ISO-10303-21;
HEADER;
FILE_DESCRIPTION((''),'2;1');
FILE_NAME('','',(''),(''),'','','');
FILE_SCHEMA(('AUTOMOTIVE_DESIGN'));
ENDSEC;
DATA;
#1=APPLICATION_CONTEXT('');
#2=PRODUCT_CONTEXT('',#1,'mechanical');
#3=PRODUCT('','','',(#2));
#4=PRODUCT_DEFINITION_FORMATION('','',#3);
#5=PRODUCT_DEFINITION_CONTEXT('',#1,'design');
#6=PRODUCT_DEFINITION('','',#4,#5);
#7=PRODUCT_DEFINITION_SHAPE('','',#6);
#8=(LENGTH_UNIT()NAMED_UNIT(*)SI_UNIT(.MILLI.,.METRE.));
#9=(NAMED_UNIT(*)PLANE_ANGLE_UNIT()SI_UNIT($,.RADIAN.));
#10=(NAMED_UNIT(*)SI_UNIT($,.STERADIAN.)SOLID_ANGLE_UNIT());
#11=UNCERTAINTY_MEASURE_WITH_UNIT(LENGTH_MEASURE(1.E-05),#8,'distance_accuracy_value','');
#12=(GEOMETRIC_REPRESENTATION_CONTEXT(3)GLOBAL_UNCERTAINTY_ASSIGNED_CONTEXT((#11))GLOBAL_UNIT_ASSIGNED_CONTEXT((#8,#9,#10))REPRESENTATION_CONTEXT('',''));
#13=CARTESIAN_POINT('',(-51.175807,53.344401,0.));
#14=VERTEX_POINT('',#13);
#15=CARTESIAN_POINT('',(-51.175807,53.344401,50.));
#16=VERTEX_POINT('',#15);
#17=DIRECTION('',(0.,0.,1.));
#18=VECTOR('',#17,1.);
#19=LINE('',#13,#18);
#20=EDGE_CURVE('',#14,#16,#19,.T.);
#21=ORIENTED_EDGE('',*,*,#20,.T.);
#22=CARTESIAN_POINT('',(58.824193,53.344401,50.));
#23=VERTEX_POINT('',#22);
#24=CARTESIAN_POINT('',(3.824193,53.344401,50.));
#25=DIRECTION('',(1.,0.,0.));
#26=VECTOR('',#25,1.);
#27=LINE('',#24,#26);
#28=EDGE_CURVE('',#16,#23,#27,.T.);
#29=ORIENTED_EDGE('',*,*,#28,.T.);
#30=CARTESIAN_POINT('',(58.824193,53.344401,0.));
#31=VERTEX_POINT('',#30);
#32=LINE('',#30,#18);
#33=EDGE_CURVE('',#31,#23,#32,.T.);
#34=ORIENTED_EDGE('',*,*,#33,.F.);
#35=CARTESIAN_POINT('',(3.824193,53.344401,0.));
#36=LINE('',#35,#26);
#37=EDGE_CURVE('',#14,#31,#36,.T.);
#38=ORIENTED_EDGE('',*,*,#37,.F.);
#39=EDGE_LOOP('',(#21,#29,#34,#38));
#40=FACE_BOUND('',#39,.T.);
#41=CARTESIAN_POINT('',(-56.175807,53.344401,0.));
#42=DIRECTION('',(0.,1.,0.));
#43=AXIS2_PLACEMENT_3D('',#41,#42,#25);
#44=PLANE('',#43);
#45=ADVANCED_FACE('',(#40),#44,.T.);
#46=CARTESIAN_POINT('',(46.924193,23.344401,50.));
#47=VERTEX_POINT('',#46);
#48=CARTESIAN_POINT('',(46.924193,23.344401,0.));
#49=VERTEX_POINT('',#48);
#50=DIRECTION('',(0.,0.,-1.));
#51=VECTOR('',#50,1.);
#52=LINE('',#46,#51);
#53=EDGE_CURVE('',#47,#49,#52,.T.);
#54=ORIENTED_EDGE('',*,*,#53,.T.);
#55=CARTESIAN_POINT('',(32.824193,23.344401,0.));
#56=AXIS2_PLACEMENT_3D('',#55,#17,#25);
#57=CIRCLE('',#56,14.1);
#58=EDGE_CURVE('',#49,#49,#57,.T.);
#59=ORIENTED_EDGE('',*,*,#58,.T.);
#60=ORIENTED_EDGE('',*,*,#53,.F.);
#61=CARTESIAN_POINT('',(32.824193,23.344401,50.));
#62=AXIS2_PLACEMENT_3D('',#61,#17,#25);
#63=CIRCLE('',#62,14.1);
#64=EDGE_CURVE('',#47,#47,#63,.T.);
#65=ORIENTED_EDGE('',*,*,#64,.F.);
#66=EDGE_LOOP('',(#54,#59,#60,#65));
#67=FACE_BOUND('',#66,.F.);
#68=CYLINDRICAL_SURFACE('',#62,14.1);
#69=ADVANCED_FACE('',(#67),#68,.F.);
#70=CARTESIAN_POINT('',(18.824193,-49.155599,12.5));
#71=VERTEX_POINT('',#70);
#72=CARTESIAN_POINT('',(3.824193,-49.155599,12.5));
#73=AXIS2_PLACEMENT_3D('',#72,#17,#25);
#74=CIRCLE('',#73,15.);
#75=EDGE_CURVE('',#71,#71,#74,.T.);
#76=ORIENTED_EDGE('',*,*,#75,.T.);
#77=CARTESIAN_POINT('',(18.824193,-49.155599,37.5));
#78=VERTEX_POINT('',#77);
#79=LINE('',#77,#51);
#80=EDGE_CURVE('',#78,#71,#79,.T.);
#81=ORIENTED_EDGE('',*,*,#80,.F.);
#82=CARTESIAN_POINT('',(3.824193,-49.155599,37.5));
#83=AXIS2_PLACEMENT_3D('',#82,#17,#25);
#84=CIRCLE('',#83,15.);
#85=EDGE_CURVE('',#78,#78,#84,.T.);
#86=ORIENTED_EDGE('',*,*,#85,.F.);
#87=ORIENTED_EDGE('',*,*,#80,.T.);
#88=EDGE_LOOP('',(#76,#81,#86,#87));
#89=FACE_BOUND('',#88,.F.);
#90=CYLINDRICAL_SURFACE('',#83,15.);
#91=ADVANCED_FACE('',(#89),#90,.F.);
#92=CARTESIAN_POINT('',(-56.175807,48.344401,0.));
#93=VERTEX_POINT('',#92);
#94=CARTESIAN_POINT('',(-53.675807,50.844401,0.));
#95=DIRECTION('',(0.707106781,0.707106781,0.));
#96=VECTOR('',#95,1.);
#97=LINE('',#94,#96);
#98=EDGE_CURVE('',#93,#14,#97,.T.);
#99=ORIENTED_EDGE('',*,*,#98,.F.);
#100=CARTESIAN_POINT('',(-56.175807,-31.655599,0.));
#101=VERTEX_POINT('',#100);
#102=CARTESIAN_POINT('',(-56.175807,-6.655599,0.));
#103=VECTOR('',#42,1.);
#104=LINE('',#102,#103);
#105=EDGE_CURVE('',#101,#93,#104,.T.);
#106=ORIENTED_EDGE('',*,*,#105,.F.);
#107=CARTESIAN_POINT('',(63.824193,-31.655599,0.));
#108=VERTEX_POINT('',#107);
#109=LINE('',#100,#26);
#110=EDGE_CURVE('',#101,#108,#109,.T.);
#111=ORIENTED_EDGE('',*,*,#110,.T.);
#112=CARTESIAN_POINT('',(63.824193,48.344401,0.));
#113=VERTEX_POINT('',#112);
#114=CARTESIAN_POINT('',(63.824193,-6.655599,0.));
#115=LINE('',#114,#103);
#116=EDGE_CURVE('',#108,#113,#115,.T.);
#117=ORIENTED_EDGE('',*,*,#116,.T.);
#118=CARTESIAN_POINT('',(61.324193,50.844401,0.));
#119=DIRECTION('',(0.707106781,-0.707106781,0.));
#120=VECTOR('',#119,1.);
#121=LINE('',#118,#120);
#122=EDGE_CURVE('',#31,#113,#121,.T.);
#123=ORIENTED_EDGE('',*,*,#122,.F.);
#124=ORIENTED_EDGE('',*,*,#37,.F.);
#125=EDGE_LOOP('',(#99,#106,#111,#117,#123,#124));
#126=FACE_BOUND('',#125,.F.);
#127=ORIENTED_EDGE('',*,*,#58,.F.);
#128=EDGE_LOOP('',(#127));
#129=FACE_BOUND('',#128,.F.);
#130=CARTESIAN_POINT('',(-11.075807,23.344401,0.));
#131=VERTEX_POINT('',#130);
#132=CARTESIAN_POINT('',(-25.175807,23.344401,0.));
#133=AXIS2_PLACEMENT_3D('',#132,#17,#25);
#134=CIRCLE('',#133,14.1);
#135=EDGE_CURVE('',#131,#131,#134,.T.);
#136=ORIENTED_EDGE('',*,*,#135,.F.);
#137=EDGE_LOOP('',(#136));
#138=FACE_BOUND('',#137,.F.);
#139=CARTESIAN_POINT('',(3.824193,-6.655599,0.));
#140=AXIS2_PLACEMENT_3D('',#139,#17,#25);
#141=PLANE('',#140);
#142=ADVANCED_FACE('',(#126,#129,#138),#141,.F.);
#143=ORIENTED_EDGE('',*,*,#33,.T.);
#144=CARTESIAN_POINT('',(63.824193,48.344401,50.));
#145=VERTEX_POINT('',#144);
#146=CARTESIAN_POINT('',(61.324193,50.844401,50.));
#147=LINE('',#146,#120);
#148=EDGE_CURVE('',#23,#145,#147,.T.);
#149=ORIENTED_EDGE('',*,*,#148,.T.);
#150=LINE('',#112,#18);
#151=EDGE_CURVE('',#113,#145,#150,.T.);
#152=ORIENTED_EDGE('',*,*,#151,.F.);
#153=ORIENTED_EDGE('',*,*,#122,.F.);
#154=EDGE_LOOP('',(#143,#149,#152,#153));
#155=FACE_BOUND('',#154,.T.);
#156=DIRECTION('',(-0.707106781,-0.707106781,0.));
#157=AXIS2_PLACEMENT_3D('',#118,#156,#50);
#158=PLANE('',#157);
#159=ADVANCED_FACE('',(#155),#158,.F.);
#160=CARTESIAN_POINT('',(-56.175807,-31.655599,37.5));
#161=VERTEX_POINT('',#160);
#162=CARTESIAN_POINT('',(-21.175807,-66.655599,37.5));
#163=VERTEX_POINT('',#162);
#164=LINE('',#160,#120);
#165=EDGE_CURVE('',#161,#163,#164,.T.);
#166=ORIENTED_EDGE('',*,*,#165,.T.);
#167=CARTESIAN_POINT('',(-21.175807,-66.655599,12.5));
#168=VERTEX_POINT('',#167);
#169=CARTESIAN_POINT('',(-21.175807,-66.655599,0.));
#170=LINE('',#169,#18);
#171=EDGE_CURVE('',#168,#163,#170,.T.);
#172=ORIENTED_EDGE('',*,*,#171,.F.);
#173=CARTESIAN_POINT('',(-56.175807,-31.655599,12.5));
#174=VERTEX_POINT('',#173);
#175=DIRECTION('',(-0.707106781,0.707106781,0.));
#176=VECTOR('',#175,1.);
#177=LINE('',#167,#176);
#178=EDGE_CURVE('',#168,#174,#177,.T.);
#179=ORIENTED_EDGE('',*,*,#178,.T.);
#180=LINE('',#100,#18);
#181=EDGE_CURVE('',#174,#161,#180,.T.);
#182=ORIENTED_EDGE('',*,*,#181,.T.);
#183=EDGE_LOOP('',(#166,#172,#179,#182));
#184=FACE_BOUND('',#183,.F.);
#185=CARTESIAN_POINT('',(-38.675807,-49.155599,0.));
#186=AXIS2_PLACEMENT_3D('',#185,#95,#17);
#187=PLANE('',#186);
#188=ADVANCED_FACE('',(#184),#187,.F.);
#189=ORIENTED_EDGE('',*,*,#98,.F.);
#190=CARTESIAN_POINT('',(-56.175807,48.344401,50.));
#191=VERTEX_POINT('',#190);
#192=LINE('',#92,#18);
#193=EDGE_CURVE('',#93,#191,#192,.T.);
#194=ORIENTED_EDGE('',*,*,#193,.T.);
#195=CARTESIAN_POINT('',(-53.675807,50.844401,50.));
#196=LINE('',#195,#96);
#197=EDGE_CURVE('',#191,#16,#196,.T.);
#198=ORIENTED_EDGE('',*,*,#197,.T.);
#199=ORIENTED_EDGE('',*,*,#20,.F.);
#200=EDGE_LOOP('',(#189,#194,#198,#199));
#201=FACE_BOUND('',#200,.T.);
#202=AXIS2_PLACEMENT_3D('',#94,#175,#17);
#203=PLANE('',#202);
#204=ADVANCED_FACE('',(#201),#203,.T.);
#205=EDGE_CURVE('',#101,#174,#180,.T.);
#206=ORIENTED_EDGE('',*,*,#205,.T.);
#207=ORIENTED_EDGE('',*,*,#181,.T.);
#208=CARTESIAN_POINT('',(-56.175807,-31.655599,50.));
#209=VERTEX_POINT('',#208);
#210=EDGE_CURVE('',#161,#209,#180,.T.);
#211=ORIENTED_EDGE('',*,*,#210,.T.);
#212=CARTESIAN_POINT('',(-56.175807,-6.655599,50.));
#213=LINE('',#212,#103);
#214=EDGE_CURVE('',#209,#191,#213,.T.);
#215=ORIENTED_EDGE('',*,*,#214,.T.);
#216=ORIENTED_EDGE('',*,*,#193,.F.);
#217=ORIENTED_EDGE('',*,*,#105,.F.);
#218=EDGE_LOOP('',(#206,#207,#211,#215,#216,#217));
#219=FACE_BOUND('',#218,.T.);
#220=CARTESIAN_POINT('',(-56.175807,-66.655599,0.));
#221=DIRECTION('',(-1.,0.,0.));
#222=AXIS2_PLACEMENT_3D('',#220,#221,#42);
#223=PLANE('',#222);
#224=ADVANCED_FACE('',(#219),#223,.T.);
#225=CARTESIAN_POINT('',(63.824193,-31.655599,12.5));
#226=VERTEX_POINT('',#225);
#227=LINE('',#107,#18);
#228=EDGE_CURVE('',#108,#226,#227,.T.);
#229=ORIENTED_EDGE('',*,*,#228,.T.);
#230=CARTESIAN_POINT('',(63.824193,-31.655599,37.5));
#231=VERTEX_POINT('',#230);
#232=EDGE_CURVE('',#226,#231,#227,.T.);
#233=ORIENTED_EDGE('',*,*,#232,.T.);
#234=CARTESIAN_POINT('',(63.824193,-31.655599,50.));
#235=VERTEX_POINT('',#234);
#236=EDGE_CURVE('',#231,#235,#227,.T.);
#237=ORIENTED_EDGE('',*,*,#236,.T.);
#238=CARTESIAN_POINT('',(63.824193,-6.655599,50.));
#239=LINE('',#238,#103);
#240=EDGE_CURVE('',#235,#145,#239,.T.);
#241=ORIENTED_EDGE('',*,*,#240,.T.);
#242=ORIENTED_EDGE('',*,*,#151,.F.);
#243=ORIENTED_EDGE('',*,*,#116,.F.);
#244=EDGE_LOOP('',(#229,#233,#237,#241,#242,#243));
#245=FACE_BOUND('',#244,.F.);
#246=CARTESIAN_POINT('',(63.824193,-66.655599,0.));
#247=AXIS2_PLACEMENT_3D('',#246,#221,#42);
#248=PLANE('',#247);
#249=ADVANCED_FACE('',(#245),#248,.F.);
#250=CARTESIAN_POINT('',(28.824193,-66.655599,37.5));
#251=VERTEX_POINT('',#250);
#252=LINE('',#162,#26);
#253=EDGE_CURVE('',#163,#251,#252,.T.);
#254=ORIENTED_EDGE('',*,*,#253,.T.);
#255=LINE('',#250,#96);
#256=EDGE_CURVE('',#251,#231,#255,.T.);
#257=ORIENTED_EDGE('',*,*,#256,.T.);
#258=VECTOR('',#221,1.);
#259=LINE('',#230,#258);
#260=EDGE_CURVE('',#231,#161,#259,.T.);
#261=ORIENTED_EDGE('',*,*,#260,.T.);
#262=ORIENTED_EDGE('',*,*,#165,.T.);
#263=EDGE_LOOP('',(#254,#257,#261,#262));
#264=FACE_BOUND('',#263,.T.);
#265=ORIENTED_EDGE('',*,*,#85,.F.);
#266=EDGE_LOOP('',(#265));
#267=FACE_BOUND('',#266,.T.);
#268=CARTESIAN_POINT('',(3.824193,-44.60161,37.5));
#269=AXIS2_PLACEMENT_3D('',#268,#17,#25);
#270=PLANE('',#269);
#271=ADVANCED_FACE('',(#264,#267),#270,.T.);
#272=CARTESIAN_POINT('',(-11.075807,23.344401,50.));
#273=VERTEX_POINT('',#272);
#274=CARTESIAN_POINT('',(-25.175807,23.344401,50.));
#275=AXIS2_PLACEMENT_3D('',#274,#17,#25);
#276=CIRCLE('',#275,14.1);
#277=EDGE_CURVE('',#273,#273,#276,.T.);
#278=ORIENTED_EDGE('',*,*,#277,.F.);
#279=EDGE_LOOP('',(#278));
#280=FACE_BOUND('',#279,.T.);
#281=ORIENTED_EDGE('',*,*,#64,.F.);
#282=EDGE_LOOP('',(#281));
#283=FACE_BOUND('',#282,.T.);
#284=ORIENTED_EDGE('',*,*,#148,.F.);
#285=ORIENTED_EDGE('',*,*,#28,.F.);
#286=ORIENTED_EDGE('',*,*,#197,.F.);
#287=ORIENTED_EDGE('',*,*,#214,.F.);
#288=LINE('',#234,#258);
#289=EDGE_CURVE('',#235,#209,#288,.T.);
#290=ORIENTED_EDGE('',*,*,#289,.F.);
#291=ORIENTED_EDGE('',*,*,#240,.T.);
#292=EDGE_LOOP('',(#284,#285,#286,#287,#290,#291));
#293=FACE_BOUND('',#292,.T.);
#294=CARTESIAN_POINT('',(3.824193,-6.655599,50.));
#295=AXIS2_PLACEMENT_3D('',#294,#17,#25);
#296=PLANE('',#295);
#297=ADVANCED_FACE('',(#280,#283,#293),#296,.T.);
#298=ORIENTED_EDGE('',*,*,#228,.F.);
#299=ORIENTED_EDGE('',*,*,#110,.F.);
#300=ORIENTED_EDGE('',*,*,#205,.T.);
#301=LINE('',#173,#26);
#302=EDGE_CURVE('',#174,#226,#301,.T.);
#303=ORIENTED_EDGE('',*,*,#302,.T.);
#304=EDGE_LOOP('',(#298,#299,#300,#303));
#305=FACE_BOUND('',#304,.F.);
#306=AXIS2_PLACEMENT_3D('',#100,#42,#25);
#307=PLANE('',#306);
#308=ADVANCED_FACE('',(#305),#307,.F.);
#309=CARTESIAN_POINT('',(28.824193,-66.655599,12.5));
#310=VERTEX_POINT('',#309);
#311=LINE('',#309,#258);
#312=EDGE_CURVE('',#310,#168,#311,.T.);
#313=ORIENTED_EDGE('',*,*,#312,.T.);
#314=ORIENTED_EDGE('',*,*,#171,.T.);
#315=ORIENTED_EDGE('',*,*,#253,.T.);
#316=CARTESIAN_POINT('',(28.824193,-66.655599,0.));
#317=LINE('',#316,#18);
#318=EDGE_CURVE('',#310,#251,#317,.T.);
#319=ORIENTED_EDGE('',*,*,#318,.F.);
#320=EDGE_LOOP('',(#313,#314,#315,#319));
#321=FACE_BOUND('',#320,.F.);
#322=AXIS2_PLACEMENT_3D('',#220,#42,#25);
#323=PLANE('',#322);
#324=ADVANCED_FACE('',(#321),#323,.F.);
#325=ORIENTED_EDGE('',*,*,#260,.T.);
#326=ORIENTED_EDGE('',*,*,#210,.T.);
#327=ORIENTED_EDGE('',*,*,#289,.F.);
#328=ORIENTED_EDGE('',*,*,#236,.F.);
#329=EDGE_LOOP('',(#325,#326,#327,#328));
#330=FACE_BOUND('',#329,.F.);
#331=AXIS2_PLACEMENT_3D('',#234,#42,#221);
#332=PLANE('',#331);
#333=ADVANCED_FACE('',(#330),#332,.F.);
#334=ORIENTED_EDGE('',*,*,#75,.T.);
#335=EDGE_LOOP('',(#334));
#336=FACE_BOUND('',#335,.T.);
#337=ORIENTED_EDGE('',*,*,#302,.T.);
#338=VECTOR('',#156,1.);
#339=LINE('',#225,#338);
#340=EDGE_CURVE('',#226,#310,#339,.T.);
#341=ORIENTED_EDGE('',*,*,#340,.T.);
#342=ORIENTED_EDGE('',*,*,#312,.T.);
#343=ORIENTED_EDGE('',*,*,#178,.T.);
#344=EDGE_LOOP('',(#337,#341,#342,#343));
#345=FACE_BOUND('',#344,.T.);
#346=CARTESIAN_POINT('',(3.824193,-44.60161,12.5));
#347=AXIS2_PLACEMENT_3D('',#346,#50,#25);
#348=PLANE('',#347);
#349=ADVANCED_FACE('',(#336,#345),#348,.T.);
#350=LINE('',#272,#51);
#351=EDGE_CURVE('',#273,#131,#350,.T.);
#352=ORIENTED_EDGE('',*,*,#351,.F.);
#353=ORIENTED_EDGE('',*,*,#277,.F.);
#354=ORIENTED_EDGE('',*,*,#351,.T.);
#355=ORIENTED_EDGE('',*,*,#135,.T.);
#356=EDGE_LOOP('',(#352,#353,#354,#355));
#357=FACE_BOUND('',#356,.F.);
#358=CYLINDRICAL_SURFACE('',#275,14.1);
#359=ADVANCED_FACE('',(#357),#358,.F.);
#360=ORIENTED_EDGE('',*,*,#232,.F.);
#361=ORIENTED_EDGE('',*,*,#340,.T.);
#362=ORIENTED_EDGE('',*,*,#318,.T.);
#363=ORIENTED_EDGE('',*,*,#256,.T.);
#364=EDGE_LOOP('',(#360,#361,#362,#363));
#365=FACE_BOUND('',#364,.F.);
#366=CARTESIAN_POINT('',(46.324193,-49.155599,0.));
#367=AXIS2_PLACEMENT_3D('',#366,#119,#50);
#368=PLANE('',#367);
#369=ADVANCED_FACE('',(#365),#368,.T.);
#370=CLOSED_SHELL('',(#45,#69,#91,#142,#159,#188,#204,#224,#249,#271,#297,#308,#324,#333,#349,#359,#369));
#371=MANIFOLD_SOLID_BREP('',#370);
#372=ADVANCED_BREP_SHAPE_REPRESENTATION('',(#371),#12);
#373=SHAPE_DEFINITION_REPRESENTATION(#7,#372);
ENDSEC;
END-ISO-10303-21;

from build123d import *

# Parameters (mm, degrees)
F0_W      = 120
F0_H      = 120
F1_DEPTH  = 50
F2_SIZE   = 35
F4_DEPTH  = 12.5
F6_DEPTH  = 12.5
F7_R      = 15
F8_DEPTH  = 37.501
F9_R      = 14.1
F10_DEPTH = 50.001
F11_SIZE  = 5


with BuildPart() as f1:
    # F0 (on Top) → F1 (new body)
    with BuildSketch(Plane.XY):
        with Locations((3.824193, -6.655599)):
            Rectangle(F0_W, F0_H)
    extrude(amount=F1_DEPTH)

    # F2
    f2_edges = [f1.edges().sort_by_distance(p)[0] for p in [
        (-56.175807, -66.655599, 25),
        (63.824193, -66.655599, 25),
    ]]
    chamfer(f2_edges, length=F2_SIZE)

    # F3 (on face) → F4 (cut)
    with BuildSketch(Plane.XY.offset(50)):
        Polygon((63.824193, -31.655599), (-56.175807, -31.655599), (-21.175807, -66.655599), (28.824193, -66.655599), align=None)
    extrude(amount=-F4_DEPTH, mode=Mode.SUBTRACT)

    # F5 (on face) → F6 (cut)
    with BuildSketch(Plane(origin=(0, 0, 0), x_dir=(1, 0, 0), z_dir=(0, 0, -1))):
        Polygon((-56.175807, 31.655599), (63.824193, 31.655599), (28.824193, 66.655599), (-21.175807, 66.655599), align=None)
    extrude(amount=-F6_DEPTH, mode=Mode.SUBTRACT)

    # F7 (on face) → F8 (cut, through all)
    with BuildSketch(Plane.XY.offset(37.5)):
        with Locations((3.824193, -49.155599)):
            Circle(F7_R)
    extrude(amount=-F8_DEPTH, mode=Mode.SUBTRACT)

    # F9 (on face) → F10 (cut, through all)
    with BuildSketch(Plane.XY.offset(50)):
        with Locations((-25.175807, 23.344401)):
            Circle(F9_R)
        with Locations((32.824193, 23.344401)):
            Circle(F9_R)
    extrude(amount=-F10_DEPTH, mode=Mode.SUBTRACT)

    # F11
    f11_edges = [f1.edges().sort_by_distance(p)[0] for p in [
        (63.824193, 53.344401, 25),
        (-56.175807, 53.344401, 25),
    ]]
    chamfer(f11_edges, length=F11_SIZE)


solid = f1.part
